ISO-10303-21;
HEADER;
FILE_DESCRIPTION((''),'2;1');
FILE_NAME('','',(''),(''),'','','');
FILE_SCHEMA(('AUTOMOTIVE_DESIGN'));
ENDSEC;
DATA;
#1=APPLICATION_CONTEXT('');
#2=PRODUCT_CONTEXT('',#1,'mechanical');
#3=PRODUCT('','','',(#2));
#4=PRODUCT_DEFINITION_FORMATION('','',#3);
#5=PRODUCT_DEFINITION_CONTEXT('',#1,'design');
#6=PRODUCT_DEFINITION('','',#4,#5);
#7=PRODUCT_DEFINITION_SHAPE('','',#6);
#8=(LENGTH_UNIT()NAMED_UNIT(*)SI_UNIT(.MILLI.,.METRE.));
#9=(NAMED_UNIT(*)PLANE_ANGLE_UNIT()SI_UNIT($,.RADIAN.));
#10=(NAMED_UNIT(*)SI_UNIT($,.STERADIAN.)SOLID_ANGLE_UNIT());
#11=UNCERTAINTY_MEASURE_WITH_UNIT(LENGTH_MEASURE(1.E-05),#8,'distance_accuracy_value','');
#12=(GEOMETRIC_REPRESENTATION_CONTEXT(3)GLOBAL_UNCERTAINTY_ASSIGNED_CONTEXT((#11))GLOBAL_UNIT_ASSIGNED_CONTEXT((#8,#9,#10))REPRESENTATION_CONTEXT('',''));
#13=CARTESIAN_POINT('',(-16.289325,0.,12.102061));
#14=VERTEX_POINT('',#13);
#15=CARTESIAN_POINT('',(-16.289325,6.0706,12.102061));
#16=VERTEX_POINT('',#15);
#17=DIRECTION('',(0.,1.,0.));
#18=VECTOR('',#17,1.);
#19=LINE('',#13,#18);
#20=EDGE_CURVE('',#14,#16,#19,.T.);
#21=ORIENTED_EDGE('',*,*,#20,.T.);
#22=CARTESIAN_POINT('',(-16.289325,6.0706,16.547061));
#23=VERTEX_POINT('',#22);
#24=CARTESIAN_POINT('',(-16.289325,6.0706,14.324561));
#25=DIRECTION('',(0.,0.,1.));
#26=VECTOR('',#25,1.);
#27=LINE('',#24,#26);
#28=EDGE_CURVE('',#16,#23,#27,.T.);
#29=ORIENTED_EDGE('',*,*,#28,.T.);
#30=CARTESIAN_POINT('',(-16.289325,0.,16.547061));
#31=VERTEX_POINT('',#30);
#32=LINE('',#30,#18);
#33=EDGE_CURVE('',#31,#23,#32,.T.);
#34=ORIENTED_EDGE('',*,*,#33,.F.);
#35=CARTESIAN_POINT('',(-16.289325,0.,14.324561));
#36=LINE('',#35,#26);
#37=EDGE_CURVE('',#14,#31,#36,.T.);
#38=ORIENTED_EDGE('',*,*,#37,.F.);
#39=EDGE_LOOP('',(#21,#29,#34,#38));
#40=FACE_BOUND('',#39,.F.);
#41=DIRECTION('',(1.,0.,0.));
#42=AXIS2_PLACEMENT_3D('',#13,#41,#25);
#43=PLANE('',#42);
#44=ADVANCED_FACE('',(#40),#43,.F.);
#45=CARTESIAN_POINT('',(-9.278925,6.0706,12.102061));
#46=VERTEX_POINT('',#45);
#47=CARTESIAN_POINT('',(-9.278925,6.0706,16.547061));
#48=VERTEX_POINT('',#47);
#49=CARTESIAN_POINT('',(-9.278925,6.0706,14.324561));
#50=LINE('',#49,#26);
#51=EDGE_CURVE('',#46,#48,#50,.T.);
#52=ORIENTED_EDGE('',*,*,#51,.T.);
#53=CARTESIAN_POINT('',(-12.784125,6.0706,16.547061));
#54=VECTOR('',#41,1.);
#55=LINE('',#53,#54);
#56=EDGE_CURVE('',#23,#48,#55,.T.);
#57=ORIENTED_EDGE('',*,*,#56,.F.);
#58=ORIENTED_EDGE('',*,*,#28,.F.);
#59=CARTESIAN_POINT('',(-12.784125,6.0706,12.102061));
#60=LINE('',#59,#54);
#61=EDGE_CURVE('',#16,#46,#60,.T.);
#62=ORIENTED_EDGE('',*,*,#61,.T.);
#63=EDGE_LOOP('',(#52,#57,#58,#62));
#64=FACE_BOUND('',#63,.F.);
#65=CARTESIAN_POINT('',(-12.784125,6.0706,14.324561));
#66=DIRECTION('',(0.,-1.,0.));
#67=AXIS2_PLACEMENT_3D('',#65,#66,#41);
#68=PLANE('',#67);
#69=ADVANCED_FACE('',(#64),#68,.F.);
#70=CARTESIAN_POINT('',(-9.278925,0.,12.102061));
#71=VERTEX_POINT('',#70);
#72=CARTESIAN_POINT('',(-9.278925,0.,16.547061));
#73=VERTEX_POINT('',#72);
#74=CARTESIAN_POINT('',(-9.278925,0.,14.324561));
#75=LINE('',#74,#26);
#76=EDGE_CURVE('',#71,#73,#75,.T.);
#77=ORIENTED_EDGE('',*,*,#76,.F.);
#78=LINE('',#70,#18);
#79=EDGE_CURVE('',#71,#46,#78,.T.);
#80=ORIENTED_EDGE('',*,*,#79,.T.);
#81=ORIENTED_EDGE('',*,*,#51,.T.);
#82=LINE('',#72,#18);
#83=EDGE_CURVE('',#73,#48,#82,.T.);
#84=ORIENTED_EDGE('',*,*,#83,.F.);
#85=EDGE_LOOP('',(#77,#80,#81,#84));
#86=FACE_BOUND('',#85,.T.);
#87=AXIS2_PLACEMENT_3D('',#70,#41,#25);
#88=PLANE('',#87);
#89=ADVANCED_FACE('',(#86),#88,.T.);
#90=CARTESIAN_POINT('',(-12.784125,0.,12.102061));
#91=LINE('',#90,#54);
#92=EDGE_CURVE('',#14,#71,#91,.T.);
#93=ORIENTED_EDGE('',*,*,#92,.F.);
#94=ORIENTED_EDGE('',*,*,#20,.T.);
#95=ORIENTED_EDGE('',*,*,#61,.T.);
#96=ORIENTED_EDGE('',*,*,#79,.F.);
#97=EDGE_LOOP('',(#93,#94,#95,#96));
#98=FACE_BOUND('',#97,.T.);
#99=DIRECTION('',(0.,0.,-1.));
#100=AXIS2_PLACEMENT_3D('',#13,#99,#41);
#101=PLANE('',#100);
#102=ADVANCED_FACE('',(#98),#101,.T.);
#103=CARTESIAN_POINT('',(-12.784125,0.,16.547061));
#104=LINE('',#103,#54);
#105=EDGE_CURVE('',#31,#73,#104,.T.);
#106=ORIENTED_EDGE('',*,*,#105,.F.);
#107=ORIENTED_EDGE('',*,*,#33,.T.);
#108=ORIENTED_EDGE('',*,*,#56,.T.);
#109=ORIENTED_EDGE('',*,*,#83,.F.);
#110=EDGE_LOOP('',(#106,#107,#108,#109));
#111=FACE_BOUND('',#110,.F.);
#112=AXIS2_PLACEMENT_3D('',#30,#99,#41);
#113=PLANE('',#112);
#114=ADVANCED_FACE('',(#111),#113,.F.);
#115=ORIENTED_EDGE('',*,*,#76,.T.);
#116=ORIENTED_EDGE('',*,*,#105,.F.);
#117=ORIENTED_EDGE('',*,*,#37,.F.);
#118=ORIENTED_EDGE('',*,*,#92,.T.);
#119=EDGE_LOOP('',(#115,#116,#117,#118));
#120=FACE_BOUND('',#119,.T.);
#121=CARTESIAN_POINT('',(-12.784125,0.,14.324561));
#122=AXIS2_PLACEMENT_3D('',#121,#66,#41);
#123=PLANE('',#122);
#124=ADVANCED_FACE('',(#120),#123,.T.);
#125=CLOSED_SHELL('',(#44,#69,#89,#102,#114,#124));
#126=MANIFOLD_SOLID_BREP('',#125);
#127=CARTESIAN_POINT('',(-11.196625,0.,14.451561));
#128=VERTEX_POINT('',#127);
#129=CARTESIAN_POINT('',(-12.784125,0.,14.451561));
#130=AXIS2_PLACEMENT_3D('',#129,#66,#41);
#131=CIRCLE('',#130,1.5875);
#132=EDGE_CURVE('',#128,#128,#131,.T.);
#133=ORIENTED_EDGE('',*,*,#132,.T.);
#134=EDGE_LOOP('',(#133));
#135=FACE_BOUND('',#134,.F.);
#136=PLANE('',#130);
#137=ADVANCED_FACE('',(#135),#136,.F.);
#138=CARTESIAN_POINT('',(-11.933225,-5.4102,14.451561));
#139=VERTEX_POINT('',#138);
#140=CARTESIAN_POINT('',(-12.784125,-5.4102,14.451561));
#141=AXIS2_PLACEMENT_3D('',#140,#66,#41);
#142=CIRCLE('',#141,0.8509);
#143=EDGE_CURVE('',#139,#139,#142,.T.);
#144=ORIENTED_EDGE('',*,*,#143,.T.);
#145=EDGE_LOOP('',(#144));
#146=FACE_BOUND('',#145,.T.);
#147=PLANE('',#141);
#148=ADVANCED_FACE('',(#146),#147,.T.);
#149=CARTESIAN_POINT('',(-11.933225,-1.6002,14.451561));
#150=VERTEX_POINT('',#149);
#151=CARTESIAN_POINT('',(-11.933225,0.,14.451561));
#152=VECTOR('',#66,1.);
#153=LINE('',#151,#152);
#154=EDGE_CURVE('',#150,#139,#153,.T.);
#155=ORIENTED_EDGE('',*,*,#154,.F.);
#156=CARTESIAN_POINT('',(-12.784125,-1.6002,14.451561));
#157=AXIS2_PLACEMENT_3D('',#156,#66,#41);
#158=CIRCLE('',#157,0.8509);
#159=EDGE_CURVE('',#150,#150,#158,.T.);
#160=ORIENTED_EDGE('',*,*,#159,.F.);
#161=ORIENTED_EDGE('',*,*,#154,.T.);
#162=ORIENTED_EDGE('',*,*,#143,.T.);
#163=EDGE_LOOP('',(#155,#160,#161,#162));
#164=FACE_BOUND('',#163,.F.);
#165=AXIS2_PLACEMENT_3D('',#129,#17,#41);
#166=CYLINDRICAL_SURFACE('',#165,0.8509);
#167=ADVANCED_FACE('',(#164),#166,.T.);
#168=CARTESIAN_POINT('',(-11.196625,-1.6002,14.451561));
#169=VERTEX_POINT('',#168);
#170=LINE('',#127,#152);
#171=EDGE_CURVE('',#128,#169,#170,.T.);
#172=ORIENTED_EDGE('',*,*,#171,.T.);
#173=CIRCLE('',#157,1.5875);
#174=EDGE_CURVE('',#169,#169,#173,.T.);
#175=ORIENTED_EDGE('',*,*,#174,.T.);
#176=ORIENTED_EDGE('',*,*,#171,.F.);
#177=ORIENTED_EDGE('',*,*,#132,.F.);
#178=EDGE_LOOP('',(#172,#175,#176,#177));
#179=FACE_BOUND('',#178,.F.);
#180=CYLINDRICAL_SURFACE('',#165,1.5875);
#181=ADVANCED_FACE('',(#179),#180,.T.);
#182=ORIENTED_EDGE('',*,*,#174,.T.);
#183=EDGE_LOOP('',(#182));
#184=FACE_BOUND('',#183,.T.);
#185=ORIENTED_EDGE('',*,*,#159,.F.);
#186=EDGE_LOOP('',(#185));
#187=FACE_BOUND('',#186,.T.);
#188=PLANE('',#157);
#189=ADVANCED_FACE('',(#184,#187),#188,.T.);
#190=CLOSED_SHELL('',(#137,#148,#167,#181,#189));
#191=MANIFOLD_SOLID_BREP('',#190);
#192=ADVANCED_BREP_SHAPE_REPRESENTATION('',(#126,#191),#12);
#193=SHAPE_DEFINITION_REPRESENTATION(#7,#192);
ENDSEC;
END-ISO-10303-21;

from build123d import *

# Parameters (mm, degrees)
F0_R     = 0.8509
F1_DEPTH = 5.4102
F0_R_2   = 1.5875
F2_DEPTH = 1.6002
F0_W     = 7.0104
F0_H     = 4.445
F3_DEPTH = 6.0706


with BuildPart() as f1:
    # F0 (on Front) → F1 (new body)
    with BuildSketch(Plane.XZ):
        with Locations((-12.784125, 14.451561)):
            Circle(F0_R)
    extrude(amount=F1_DEPTH)

    # F0 (on Front) → F2 (join)
    with BuildSketch(Plane.XZ):
        with Locations((-12.784125, 14.451561)):
            Circle(F0_R_2)
        with Locations((-12.784125, 14.451561)):
            Circle(F0_R, mode=Mode.SUBTRACT)
    extrude(amount=F2_DEPTH)


with BuildPart() as f3:
    # F0 (on Front) → F3 (new body)
    with BuildSketch(Plane.XZ):
        with Locations((-12.784125, 14.324561)):
            Rectangle(F0_W, F0_H)
        with Locations((-12.784125, 14.451561)):
            Circle(F0_R_2, mode=Mode.SUBTRACT)
        with Locations((-12.784125, 14.451561)):
            Circle(F0_R_2)
        with Locations((-12.784125, 14.451561)):
            Circle(F0_R, mode=Mode.SUBTRACT)
        with Locations((-12.784125, 14.451561)):
            Circle(F0_R)
    extrude(amount=-F3_DEPTH)


solid = Compound([f1.part, f3.part])
